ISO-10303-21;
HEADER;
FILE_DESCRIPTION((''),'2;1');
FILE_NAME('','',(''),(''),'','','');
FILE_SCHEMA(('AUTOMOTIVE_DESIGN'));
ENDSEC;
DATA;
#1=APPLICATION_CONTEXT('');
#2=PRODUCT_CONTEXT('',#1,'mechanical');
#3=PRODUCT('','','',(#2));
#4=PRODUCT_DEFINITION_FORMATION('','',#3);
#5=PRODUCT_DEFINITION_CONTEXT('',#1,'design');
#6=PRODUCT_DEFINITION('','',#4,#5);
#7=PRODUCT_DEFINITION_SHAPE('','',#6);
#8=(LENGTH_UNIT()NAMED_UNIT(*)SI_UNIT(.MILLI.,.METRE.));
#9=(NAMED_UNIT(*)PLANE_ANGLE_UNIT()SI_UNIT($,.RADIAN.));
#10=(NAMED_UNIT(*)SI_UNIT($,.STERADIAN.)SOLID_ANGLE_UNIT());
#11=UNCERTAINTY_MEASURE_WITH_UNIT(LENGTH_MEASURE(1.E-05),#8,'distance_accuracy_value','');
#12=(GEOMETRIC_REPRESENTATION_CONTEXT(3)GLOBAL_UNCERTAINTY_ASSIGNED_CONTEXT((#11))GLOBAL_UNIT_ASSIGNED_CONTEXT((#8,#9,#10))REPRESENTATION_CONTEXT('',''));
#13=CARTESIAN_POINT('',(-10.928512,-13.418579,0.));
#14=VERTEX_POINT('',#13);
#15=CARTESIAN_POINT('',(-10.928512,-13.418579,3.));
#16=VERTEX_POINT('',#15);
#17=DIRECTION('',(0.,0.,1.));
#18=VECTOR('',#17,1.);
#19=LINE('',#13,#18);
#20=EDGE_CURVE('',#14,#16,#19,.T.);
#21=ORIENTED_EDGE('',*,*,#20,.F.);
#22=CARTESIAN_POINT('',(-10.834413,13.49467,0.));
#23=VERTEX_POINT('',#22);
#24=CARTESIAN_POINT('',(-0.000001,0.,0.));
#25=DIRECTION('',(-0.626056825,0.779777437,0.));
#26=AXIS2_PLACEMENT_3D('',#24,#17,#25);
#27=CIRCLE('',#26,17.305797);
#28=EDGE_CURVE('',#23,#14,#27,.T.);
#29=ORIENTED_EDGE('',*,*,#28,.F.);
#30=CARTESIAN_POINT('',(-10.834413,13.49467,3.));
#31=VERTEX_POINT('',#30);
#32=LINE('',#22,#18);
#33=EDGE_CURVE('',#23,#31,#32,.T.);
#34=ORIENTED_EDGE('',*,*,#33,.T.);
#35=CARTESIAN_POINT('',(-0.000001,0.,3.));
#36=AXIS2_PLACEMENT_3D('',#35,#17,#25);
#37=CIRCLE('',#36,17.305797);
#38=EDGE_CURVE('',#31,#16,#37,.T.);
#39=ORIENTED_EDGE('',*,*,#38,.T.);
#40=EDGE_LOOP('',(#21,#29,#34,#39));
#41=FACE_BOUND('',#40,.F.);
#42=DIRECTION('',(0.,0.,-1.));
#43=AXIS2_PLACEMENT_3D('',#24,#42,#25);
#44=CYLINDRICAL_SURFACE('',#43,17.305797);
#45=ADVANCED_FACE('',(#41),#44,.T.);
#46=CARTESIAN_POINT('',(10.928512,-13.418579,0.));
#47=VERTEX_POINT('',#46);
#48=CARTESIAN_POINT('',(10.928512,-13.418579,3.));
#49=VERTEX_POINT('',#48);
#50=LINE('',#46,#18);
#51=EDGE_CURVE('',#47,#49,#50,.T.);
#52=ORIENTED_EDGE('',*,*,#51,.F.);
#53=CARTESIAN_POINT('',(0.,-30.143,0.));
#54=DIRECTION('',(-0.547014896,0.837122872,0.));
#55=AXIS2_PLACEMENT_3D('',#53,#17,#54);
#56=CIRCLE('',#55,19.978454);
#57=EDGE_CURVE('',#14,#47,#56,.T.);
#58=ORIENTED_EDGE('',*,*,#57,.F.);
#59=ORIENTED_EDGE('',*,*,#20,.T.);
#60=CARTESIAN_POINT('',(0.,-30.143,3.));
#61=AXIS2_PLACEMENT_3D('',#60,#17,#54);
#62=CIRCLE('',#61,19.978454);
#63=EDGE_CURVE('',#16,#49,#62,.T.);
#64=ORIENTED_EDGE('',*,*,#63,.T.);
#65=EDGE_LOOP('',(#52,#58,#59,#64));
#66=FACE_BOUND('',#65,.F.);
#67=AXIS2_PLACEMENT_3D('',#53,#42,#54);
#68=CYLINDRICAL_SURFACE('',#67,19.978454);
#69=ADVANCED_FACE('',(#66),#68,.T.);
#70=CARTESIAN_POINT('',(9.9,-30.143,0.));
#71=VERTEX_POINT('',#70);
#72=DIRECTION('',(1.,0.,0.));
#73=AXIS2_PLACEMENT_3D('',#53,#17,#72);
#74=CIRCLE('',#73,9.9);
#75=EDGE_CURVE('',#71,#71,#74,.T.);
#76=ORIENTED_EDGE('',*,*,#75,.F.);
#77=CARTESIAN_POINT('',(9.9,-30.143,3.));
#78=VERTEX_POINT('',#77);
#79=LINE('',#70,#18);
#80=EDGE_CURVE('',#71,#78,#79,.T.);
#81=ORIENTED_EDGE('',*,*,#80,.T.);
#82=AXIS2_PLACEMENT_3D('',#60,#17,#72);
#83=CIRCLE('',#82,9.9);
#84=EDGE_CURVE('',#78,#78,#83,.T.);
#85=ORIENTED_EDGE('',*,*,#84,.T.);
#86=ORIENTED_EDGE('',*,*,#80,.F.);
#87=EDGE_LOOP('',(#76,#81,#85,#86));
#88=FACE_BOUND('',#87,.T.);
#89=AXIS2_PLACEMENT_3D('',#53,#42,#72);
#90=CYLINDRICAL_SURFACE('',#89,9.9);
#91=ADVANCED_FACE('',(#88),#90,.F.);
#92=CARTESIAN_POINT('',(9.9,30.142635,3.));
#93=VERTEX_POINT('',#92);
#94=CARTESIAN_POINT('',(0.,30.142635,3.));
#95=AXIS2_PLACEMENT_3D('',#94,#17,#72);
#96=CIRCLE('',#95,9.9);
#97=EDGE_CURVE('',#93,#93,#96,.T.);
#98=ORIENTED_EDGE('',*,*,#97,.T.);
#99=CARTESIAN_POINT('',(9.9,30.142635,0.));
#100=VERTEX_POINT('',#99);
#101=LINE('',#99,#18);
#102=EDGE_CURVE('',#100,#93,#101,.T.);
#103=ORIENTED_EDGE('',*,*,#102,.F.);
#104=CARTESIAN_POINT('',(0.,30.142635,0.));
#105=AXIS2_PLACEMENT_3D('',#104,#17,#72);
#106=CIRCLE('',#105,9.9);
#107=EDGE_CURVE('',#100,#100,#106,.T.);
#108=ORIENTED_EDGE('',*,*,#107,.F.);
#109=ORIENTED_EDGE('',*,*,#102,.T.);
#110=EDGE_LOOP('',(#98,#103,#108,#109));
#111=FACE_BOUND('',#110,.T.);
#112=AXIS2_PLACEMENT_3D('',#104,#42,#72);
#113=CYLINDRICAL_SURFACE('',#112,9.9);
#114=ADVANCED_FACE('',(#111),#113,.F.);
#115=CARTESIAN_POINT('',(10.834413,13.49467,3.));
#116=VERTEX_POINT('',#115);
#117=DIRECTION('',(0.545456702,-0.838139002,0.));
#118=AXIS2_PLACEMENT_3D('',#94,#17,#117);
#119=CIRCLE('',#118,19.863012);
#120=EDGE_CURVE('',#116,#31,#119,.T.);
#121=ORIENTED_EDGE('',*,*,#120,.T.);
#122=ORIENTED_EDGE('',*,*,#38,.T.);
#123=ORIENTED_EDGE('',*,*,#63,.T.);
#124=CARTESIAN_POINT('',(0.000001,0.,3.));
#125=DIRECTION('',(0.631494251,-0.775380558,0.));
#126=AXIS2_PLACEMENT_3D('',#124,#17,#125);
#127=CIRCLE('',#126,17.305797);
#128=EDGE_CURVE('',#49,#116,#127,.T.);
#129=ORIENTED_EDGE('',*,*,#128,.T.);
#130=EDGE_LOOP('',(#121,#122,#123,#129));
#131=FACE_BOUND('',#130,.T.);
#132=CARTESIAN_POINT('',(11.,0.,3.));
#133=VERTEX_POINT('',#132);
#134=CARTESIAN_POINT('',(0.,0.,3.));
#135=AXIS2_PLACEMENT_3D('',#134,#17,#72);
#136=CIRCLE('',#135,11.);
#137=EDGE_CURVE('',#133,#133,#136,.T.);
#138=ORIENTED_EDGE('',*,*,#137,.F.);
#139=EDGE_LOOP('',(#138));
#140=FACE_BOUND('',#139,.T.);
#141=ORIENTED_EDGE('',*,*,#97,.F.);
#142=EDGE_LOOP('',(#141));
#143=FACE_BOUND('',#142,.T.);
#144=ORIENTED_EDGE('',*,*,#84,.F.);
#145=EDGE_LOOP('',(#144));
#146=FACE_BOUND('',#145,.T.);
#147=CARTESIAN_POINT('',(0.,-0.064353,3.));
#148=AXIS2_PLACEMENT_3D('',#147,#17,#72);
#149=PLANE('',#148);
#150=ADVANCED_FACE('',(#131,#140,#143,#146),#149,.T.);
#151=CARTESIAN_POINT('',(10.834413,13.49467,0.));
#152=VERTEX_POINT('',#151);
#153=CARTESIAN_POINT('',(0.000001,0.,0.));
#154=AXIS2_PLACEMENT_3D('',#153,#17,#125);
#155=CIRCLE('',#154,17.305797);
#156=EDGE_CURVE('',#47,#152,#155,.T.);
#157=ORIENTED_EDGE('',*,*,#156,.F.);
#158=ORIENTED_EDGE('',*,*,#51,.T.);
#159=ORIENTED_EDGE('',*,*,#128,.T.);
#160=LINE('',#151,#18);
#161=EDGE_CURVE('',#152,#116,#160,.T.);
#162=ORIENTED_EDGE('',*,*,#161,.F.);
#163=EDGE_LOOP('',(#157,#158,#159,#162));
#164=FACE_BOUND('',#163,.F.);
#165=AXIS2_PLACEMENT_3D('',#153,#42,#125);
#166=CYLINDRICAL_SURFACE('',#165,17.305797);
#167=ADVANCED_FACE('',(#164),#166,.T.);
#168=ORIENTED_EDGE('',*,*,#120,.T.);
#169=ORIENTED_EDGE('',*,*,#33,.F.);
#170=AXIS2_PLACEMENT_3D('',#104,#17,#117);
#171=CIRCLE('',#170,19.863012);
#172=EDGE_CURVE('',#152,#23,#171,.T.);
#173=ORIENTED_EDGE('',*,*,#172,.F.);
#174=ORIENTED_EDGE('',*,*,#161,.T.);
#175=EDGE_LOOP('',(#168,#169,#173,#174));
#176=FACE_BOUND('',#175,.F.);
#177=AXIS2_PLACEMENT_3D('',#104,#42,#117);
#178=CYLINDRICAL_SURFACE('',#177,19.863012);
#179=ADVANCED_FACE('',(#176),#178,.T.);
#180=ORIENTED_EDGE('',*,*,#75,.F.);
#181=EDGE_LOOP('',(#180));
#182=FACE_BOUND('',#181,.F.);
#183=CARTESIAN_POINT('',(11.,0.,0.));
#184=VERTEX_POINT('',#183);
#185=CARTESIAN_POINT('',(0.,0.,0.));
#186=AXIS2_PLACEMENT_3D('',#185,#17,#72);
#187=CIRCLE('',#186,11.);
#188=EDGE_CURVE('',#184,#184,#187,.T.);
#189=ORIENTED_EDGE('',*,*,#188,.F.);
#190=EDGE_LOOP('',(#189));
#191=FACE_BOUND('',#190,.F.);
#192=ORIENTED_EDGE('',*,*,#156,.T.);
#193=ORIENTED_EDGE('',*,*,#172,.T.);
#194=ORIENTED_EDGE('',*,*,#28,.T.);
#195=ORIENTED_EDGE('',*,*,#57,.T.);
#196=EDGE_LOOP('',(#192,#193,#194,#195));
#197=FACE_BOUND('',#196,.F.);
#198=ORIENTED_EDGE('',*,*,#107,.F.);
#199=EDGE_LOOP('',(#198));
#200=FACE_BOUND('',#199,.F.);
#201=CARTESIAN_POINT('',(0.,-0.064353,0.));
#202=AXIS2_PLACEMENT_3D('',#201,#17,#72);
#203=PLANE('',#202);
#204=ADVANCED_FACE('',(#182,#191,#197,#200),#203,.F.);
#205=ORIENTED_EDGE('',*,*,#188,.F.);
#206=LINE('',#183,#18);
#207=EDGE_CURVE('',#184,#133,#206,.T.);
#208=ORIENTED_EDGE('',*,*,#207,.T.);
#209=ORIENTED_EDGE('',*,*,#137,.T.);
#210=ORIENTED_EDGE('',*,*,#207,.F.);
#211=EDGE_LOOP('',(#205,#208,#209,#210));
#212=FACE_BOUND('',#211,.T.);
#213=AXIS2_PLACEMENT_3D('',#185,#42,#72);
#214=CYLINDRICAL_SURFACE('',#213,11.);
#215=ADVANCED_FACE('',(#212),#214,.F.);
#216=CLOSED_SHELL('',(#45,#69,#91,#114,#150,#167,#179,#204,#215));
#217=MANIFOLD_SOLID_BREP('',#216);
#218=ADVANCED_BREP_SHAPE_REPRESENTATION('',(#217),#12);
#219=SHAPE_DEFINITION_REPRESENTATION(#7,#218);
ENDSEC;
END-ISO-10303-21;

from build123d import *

# Parameters (mm, degrees)
F0_R     = 9.9
F0_R_2   = 11
F1_DEPTH = 3


with BuildPart() as f1:
    # F0 (on Top) → F1 (new body)
    with BuildSketch(Plane.XY):
        with BuildLine():
            ThreePointArc((-10.834413, 13.49467), (-17.305692, 0.060507), (-10.928512, -13.418579))
            ThreePointArc((-10.928512, -13.418579), (0, -50.121454), (10.928512, -13.418579))
            ThreePointArc((10.928512, -13.418579), (17.305692, 0.060507), (10.834413, 13.49467))
            ThreePointArc((10.834413, 13.49467), (0, 50.005647), (-10.834413, 13.49467))
        make_face()
        with Locations((0, -30.143)):
            Circle(F0_R, mode=Mode.SUBTRACT)
        Circle(F0_R_2, mode=Mode.SUBTRACT)
        with Locations((0, 30.142635)):
            Circle(F0_R, mode=Mode.SUBTRACT)
    extrude(amount=F1_DEPTH)


solid = f1.part
